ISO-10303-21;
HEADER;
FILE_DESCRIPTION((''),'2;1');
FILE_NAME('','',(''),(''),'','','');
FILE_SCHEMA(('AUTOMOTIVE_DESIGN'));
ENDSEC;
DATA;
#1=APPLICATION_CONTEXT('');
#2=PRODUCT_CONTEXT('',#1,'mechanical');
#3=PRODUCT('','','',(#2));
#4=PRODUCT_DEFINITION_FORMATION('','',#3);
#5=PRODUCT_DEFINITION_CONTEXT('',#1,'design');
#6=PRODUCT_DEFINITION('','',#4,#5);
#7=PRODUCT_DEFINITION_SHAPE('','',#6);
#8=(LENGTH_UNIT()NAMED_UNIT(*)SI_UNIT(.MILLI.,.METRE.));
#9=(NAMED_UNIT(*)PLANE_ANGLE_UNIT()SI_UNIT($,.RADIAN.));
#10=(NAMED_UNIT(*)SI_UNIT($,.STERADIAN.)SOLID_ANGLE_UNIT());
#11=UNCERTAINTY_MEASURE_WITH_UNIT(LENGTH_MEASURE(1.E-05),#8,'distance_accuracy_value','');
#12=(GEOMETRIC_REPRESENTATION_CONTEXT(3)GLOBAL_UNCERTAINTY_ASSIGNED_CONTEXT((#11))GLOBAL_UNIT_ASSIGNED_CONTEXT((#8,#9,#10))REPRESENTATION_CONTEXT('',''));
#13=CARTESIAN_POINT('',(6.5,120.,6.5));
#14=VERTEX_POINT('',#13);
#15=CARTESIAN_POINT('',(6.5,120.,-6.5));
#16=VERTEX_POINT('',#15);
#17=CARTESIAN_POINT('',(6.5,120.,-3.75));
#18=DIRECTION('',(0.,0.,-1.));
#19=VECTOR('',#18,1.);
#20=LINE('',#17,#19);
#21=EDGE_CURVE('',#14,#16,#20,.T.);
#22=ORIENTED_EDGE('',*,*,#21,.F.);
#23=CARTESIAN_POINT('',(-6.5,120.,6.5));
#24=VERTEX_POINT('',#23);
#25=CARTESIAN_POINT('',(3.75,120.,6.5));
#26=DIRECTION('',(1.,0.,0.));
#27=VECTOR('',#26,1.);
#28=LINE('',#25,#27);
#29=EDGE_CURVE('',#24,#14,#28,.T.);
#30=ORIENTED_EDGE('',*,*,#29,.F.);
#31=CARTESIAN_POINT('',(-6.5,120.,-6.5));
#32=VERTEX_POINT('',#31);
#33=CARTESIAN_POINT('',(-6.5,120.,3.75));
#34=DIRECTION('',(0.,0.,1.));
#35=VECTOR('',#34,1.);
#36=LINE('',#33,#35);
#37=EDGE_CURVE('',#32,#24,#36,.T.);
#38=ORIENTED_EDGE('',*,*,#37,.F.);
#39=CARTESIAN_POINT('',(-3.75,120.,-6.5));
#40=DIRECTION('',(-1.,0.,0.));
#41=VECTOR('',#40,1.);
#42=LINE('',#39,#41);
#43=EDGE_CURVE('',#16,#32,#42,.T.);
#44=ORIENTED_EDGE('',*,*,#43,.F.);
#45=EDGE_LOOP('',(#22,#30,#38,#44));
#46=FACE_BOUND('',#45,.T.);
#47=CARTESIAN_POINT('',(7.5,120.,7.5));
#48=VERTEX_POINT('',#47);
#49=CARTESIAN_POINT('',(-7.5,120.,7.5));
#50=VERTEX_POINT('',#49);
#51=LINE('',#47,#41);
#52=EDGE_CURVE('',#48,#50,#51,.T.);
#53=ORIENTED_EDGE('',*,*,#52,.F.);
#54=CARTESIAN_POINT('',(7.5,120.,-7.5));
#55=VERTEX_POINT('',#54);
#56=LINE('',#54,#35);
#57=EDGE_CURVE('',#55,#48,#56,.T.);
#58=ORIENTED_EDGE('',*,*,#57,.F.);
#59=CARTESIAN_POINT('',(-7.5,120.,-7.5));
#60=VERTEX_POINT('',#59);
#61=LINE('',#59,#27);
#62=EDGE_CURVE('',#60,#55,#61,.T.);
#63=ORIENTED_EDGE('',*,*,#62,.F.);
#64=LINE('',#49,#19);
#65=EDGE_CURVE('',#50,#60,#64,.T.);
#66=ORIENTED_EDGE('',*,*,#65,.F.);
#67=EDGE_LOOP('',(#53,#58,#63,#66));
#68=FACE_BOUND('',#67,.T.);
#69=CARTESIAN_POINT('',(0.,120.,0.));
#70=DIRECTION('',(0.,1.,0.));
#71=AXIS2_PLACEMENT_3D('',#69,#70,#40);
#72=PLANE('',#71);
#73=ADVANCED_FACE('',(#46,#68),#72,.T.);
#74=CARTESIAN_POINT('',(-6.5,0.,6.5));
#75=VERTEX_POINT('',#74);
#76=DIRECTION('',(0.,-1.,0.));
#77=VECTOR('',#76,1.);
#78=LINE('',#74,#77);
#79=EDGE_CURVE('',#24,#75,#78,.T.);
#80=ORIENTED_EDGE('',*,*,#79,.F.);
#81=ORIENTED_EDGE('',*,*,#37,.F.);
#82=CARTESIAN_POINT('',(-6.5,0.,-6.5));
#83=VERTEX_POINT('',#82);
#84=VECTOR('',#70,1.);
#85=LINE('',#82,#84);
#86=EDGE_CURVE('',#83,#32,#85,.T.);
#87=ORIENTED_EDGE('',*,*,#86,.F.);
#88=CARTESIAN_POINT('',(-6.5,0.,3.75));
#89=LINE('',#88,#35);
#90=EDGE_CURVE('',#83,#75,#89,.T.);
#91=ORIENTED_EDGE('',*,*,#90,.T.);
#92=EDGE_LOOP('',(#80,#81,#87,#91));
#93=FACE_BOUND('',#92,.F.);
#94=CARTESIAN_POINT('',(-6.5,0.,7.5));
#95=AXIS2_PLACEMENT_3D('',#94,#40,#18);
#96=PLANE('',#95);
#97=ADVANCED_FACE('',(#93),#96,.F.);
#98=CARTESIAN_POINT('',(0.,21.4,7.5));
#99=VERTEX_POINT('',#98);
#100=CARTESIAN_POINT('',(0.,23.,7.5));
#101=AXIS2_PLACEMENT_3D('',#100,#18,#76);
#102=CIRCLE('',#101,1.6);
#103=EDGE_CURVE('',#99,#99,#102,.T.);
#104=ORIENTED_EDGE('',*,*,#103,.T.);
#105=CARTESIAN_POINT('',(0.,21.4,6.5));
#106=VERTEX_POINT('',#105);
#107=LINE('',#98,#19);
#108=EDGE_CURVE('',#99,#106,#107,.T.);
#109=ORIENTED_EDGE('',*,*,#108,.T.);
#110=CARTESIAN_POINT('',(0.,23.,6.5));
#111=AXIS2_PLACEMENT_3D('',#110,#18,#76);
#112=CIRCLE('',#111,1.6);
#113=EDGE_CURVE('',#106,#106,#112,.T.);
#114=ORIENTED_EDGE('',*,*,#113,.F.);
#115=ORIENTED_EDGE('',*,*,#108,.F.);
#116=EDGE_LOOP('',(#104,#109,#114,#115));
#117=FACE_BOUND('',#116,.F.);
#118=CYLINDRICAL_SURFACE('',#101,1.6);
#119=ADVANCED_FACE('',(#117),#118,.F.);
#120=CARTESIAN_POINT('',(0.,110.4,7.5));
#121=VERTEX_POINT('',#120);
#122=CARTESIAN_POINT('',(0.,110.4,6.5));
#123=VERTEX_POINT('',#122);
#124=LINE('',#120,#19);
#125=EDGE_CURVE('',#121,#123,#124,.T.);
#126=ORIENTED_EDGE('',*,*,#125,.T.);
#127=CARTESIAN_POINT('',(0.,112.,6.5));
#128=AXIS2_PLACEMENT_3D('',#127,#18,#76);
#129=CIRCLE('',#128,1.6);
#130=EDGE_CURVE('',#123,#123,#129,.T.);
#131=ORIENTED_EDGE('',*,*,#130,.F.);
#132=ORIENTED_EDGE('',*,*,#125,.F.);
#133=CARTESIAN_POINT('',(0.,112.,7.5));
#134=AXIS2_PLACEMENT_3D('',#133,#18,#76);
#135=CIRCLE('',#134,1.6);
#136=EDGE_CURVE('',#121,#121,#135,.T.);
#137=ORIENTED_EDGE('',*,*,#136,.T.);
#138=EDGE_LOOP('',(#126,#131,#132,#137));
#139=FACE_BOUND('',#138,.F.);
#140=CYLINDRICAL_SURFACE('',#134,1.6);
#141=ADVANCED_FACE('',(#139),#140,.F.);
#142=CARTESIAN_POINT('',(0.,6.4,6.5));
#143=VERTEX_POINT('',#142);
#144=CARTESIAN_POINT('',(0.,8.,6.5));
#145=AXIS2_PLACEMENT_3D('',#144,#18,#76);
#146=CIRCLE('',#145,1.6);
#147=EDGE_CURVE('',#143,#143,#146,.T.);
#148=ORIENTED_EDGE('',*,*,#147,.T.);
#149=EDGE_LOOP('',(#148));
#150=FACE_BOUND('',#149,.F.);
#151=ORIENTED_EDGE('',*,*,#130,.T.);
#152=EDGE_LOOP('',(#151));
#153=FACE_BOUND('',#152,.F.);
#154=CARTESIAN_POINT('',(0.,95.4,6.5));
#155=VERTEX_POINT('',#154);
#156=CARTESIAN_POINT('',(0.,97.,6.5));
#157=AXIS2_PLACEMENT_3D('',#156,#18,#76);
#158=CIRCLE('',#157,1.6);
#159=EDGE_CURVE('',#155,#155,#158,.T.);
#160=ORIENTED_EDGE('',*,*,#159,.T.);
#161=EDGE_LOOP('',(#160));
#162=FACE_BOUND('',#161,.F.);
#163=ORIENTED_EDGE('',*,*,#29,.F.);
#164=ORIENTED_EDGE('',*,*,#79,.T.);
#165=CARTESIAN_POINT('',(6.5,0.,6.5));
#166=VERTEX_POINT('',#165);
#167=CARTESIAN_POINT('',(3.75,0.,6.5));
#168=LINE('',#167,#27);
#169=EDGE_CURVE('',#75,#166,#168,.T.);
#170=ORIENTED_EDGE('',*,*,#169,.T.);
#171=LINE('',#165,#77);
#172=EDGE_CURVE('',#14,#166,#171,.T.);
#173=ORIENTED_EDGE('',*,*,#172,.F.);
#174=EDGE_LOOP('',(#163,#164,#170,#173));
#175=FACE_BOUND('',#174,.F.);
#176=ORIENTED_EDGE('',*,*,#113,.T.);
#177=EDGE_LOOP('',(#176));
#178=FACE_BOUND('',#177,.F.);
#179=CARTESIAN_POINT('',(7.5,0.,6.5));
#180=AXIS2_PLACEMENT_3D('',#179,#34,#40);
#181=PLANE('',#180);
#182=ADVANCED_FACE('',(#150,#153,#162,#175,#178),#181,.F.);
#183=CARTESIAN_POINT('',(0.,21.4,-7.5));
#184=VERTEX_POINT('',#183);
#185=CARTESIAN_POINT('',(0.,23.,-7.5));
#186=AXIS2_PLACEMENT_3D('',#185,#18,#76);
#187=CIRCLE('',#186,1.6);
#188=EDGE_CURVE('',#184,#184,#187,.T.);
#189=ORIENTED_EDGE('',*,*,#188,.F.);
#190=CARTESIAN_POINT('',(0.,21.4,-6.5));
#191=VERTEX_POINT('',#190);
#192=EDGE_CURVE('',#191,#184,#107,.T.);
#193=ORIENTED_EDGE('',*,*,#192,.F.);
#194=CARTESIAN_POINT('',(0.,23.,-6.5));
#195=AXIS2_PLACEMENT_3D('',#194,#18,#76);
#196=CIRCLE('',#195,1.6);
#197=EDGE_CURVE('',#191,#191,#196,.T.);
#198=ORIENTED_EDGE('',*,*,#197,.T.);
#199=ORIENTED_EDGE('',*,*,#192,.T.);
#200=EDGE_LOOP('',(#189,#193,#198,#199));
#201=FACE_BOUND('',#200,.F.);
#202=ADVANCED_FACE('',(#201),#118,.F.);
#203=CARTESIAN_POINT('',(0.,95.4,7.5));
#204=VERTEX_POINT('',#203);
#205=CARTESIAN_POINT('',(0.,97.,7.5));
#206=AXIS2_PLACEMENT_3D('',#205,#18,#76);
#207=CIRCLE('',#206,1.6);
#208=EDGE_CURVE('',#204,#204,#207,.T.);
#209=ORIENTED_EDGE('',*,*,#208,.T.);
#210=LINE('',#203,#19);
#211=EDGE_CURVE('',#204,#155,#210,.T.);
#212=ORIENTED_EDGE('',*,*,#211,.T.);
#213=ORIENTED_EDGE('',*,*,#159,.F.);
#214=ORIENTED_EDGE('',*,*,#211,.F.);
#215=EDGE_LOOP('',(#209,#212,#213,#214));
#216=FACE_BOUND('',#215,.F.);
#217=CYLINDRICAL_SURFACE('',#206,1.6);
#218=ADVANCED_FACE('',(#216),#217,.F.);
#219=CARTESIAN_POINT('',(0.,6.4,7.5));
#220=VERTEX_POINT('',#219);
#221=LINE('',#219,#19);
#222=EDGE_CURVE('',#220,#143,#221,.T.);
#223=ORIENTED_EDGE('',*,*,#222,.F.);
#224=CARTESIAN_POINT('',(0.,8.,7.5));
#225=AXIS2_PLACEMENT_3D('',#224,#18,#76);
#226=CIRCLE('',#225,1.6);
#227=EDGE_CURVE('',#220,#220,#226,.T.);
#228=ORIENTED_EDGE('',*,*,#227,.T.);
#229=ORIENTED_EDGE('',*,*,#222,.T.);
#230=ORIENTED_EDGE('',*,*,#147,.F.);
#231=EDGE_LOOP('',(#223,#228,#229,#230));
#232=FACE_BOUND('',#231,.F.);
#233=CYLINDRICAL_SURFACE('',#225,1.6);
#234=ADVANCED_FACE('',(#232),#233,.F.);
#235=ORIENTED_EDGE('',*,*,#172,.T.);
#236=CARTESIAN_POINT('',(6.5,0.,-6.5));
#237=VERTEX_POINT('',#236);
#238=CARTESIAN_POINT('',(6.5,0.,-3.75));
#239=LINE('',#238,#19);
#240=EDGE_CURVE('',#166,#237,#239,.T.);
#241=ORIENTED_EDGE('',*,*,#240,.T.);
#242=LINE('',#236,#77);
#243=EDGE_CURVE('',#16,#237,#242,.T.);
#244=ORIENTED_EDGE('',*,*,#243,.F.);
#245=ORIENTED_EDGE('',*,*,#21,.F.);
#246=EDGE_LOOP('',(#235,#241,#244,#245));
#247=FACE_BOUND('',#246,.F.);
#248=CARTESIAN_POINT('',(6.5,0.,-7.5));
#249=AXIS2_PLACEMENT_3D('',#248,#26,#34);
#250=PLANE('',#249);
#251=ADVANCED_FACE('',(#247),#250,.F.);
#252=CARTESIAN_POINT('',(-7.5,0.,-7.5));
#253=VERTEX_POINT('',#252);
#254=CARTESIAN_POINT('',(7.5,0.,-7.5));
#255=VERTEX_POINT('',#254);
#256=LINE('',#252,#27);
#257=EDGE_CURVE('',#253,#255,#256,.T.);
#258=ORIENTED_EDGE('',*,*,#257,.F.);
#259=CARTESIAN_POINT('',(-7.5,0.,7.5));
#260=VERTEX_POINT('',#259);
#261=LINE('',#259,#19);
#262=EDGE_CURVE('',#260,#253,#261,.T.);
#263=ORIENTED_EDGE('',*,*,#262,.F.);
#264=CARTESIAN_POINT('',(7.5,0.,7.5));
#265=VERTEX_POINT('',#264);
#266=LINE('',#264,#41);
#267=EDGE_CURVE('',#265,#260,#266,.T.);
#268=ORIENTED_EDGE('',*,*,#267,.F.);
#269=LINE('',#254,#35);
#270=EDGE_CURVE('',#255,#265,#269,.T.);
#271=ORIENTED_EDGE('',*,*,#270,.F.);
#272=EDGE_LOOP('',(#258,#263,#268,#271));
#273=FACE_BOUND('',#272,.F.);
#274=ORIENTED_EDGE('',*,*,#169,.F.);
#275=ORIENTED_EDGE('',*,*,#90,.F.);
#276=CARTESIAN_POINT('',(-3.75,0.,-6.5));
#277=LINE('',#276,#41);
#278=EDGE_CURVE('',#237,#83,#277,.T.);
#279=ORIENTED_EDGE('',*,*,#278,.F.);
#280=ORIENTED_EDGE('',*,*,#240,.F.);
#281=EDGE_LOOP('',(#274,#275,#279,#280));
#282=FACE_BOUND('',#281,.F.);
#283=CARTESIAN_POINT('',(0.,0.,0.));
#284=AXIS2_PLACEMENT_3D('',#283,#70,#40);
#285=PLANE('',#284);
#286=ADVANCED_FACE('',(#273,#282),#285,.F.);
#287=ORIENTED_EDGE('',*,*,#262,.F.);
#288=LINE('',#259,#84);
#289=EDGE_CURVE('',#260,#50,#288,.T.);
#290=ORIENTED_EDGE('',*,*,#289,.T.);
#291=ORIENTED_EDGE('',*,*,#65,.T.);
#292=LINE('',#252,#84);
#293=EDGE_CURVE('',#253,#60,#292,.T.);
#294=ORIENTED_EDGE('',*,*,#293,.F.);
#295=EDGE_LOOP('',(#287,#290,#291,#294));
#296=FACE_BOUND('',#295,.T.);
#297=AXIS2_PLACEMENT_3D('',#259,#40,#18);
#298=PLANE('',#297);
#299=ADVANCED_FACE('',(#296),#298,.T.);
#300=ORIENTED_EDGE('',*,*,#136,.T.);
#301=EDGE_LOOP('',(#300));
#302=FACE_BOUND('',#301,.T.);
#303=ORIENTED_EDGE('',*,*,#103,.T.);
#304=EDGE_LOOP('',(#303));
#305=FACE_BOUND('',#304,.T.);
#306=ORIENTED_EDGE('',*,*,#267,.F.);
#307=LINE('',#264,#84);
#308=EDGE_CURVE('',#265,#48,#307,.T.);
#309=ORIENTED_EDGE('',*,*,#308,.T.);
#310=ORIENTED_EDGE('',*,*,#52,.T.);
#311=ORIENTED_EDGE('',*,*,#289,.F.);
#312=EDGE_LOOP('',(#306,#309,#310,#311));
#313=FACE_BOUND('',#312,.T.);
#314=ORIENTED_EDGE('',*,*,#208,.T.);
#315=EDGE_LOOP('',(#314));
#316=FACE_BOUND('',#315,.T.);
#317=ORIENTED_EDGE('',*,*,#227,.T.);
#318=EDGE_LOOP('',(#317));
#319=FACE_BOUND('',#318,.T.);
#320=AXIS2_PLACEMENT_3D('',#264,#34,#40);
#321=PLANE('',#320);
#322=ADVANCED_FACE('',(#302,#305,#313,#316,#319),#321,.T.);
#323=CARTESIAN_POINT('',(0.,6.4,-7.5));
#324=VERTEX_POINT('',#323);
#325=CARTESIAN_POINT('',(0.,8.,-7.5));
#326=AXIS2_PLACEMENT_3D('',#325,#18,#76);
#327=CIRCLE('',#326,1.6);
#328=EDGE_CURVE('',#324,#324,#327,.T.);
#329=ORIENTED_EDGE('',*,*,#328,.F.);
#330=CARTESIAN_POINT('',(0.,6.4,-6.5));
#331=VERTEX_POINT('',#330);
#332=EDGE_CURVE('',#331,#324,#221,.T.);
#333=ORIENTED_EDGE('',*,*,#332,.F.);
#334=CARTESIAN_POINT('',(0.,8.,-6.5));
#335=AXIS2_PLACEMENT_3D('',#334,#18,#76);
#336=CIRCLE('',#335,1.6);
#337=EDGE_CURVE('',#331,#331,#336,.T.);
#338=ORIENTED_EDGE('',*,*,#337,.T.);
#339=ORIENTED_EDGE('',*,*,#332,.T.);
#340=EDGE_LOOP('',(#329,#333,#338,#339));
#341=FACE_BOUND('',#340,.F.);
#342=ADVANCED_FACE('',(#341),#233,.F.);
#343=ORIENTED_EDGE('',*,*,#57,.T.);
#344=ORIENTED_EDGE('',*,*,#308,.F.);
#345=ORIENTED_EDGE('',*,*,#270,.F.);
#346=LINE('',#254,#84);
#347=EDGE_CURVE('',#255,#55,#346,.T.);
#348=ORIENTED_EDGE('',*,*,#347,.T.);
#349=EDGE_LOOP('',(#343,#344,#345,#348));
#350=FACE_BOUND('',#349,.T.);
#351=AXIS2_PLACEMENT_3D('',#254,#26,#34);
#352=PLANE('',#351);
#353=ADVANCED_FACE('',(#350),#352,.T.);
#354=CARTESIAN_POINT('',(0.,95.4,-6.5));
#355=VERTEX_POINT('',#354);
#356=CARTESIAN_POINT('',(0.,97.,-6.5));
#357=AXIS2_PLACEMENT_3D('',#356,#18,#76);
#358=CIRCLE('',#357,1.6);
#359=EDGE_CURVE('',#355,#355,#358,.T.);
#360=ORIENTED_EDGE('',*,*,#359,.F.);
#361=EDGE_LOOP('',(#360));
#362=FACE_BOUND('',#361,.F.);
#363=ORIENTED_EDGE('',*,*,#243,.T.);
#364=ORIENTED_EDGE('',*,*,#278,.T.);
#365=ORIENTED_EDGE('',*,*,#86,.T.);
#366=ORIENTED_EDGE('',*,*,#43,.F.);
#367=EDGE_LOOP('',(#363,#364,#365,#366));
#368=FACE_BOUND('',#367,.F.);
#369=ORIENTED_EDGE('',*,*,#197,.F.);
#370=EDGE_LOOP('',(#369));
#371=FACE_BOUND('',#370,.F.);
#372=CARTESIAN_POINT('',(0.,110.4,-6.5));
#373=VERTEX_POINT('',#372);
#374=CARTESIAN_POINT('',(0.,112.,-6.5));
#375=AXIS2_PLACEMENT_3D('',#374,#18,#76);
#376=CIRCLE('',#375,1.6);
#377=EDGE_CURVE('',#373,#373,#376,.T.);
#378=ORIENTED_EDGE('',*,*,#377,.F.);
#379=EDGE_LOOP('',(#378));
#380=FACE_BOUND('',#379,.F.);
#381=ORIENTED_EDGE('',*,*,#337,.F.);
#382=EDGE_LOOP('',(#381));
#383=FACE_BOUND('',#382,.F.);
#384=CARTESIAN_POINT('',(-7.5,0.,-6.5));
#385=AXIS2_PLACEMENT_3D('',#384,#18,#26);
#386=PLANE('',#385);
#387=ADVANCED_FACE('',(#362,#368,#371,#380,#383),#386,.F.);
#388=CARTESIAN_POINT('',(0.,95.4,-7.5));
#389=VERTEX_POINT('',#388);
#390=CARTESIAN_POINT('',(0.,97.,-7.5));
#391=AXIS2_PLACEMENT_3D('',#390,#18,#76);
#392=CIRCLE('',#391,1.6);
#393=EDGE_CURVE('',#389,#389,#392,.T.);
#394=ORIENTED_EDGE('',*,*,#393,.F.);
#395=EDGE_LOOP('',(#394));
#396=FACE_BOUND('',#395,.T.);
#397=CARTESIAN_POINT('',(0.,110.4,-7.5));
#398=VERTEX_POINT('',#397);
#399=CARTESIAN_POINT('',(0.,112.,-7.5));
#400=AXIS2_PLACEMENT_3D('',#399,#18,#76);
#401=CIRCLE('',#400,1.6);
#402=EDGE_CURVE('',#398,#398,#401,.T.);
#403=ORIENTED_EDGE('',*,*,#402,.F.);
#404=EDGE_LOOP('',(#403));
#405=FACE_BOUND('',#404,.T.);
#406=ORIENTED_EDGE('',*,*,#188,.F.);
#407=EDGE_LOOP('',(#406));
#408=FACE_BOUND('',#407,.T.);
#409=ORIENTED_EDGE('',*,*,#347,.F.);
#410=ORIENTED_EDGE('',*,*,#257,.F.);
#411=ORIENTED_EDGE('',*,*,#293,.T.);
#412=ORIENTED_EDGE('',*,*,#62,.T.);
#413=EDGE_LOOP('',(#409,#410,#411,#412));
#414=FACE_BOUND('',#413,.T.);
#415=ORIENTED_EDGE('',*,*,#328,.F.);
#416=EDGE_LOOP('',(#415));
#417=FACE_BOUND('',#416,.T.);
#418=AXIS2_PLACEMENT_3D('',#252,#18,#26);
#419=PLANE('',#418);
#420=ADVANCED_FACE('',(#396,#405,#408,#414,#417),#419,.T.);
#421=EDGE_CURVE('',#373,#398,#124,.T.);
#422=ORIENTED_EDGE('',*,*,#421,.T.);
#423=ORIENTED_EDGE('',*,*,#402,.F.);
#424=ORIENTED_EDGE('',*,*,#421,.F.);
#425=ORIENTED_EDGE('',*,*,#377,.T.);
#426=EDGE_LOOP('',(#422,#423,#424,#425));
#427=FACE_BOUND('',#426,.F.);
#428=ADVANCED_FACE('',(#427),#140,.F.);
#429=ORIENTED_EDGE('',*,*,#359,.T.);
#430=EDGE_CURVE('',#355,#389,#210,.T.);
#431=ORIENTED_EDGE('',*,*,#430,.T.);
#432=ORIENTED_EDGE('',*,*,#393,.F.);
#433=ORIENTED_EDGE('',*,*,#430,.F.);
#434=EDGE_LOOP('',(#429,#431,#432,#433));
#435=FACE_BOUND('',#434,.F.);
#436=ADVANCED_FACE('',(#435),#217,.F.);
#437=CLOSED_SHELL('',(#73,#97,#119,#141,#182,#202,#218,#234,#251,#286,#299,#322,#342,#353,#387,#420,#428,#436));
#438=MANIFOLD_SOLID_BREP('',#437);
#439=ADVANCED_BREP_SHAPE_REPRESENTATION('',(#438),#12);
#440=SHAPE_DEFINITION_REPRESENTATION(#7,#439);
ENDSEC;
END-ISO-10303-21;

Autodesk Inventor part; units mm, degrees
ref_plane "YZ Plane" through (0, 0, 0) normal (1, 0, 0) x (0, 1, 0)
ref_plane "XZ Plane" through (0, 0, 0) normal (0, 1, 0) x (-1, 0, 0)
ref_plane "XY Plane" through (0, 0, 0) normal (0, 0, 1) x (1, 0, 0)
sketch "スケッチ1" plane through (0, 0, 0) normal (0, 1, 0) x (-1, 0, 0)
  line L0 (7.5, -7.5) -> (-7.5, -7.5)
  line L1 (-7.5, -7.5) -> (-7.5, 7.5)
  line L2 (-7.5, 7.5) -> (7.5, 7.5)
  line L3 (7.5, 7.5) -> (7.5, -7.5)
  line L4 (7.5, -7.5) -> (-7.5, 7.5) construction
  line L5 (-7.5, -7.5) -> (7.5, 7.5) construction
  point P0 (0, 0)
  dimension "d0" = 15
  dimension "d1" = 15
extrude "押し出し1" add sketch "スケッチ1" along normal blind 120
shell "シェル1" thickness 1 removed faces 2 at (-2.5, 0, -2.5) at (-2.5, 120, -2.5)
sketch "スケッチ2" plane through (-7.5, 0, 7.5) normal (0, 0, 1) x (1, 0, 0)
  line L0 (15, 0) -> (0, 0) projected
  line L1 (0, 120) -> (15, 120) projected
  point P0 (7.5, 0)
  point P1 (7.5, 8)
  point P2 (7.5, 23)
  point P3 (7.5, 0)
  point P4 (7.5, 112)
  point P5 (7.5, 97)
  point P6 (7.5, 120)
  dimension "d5" = 8
  dimension "d6" = 15
  dimension "d14" = 8
  dimension "d15" = 15
hole "穴1" at (0, 8, 7.5) at (0, 23, 7.5) at (0, 112, 7.5) at (0, 97, 7.5) direction (0, 0, -1) diameter 3.2 end through all
properties part number "PitchSquarePipe" material "アルミニウム 5005-H12"
